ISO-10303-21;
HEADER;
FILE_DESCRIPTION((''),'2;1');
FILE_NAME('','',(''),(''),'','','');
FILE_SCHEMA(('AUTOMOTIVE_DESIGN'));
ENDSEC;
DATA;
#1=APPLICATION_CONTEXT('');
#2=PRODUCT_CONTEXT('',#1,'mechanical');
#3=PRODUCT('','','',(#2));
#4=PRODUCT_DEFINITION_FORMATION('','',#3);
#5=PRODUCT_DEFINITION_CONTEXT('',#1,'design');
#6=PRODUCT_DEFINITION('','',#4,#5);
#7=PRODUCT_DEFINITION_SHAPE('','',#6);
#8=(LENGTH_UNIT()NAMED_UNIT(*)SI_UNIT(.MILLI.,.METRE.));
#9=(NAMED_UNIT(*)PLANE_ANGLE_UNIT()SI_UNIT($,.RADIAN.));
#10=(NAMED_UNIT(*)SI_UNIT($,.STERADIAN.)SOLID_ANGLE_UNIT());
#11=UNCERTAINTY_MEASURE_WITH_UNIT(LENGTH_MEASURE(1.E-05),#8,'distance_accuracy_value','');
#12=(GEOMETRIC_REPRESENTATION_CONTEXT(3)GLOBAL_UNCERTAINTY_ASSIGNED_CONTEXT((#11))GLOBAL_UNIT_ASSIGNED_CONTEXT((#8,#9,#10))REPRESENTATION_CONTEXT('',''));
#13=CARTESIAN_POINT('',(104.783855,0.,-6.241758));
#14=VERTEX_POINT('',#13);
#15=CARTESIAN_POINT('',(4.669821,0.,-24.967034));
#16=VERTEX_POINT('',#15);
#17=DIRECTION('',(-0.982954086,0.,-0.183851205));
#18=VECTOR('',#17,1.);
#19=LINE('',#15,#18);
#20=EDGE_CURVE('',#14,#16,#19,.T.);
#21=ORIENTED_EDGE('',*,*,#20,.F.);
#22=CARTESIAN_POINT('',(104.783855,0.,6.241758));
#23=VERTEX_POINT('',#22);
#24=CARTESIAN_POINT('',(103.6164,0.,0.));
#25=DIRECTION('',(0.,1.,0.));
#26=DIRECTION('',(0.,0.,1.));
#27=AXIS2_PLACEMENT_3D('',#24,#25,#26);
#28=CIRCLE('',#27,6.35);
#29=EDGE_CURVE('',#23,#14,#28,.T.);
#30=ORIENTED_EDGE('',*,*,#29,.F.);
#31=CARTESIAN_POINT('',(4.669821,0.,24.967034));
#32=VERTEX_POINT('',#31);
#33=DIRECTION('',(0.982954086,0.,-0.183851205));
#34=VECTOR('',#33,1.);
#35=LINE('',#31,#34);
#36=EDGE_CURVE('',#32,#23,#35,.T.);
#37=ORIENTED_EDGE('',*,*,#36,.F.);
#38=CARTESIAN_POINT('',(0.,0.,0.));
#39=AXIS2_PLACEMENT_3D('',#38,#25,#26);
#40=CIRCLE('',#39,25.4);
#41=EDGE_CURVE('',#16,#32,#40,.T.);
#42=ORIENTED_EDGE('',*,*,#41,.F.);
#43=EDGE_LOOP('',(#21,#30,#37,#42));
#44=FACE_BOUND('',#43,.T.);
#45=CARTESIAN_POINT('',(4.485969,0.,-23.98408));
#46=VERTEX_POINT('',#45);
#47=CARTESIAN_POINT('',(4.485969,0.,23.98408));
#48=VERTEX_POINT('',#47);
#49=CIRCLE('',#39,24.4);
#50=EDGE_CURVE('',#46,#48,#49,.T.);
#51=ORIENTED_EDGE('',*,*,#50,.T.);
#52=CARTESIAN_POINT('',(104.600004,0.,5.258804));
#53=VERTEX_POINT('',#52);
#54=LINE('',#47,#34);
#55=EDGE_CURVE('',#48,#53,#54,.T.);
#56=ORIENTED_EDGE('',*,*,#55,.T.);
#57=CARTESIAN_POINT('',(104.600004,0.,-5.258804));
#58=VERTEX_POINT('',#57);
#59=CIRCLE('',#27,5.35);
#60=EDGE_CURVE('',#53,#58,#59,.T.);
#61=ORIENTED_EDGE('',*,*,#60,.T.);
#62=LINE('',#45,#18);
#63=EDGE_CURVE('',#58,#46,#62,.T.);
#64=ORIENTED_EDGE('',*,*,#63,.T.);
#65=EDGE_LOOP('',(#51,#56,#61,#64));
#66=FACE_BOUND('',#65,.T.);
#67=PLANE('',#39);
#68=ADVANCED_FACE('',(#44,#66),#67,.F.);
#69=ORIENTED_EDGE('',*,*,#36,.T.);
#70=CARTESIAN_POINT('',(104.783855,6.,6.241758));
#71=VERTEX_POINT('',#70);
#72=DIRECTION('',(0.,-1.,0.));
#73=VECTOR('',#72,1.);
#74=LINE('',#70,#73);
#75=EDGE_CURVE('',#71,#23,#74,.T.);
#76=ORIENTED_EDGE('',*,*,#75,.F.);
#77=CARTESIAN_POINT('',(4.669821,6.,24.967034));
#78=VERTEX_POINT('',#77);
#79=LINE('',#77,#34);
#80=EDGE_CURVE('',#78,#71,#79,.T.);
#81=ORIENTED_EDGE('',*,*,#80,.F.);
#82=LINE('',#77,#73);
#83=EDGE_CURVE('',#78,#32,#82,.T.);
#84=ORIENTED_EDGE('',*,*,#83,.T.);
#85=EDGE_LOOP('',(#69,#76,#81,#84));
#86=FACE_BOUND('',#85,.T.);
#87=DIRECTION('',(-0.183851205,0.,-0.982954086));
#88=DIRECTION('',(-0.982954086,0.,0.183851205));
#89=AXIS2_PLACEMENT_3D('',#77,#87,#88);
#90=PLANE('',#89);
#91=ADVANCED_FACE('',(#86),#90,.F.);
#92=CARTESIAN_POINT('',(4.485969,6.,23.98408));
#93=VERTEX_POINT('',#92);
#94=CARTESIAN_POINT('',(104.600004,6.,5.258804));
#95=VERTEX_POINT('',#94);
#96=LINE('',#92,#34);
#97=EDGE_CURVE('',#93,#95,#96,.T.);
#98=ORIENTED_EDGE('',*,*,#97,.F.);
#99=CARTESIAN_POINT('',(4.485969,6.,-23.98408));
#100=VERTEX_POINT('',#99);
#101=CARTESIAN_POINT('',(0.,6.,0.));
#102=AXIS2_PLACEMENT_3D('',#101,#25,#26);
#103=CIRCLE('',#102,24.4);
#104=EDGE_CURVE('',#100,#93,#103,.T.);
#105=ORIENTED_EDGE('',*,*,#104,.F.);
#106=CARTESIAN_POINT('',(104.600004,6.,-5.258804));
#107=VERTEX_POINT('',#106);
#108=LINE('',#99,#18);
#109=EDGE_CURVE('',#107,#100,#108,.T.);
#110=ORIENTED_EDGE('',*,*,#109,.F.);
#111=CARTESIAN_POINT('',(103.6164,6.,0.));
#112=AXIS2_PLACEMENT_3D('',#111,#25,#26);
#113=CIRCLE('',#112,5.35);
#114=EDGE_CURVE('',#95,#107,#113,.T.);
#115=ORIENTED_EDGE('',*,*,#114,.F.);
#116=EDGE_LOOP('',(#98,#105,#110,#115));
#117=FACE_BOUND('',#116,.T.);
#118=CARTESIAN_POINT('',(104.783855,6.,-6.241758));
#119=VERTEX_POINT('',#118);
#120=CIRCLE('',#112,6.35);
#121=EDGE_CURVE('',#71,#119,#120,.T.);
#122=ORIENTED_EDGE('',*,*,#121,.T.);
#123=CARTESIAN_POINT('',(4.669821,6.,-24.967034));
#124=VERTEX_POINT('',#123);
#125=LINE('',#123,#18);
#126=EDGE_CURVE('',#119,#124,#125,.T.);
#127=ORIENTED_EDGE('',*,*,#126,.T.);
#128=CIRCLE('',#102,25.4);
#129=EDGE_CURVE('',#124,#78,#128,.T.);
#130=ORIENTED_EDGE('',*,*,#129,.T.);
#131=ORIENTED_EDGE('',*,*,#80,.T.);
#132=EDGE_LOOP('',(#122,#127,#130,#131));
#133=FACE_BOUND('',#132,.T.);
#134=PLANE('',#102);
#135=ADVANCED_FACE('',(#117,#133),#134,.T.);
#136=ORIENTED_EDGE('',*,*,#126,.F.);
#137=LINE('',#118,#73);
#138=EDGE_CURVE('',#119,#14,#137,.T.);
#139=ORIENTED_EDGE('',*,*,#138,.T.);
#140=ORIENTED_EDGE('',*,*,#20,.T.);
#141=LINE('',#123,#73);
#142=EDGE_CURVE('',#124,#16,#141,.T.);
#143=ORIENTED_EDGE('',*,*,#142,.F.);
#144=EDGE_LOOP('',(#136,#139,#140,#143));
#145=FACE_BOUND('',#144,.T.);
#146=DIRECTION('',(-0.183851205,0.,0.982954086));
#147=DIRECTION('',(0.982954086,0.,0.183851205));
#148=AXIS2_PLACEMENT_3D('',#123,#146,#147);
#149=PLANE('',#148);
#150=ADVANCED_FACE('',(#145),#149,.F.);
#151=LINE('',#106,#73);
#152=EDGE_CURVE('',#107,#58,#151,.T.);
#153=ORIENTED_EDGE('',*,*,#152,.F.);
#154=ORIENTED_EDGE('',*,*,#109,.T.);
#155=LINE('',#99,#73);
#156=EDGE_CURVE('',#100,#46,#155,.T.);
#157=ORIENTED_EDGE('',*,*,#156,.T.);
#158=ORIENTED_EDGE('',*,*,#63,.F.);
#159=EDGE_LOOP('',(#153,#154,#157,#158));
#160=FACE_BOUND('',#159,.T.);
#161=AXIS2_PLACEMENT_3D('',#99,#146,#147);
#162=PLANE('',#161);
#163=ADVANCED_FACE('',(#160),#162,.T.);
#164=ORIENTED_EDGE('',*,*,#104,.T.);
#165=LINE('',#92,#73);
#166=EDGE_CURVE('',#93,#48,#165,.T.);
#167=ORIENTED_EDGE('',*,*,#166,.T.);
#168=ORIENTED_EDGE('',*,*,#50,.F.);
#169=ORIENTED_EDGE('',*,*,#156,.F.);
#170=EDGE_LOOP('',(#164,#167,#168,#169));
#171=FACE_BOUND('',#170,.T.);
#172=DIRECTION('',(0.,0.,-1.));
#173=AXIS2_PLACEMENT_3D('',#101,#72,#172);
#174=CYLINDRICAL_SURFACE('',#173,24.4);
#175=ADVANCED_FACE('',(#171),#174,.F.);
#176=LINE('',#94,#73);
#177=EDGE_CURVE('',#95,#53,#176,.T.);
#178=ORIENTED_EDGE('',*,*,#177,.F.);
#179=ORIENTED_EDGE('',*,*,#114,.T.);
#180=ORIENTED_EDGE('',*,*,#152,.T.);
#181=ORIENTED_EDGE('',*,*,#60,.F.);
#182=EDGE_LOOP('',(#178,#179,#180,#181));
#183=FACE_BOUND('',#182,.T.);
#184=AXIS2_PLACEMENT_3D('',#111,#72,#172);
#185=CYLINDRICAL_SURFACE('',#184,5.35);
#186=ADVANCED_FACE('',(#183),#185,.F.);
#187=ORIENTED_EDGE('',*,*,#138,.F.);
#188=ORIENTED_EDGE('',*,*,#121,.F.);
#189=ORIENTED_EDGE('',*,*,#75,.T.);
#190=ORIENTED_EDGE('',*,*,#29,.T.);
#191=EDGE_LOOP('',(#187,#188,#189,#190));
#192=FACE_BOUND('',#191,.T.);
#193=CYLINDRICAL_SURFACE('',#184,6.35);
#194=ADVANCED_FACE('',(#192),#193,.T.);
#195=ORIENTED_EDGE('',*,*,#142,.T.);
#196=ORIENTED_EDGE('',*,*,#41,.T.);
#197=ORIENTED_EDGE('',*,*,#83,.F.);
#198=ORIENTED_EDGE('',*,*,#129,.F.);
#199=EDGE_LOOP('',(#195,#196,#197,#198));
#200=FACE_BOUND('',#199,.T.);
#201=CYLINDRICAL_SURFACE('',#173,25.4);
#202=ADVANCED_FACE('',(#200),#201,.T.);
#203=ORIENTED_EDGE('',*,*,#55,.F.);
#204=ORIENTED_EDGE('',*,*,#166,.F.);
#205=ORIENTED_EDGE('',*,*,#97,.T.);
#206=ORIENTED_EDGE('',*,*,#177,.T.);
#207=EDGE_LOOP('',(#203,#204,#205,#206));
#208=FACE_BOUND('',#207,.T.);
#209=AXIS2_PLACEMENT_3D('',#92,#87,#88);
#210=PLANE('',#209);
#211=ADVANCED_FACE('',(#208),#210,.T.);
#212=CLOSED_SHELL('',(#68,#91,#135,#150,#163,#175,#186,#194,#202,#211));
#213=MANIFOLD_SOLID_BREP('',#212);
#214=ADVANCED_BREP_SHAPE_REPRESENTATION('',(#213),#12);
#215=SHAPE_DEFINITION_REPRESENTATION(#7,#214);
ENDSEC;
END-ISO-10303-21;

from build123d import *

# Parameters (mm, degrees)
SALIENTE_EXTRUIR1_DEPTH = 6


with BuildPart() as part:
    # Croquis1 → Saliente-Extruir1 (new body)
    with BuildSketch(Plane(origin=(0, 0, 0), x_dir=(1, 0, 0), z_dir=(0, 1, 0))):
        with BuildLine():
            Line((4.669820608, 24.967033774), (104.783855152, 6.241758444))
            ThreePointArc((104.783855152, 6.241758444), (109.9664, 0), (104.783855152, -6.241758444))
            Line((104.783855152, -6.241758444), (4.669820608, -24.967033774))
            ThreePointArc((4.669820608, -24.967033774), (-25.4, 0), (4.669820608, 24.967033774))
        make_face()
        with BuildLine():
            Line((4.485969403, 23.984079689), (104.600003947, 5.258804358))
            ThreePointArc((104.600003947, 5.258804358), (108.9664, 0), (104.600003947, -5.258804358))
            Line((104.600003947, -5.258804358), (4.485969403, -23.984079689))
            ThreePointArc((4.485969403, -23.984079689), (-24.4, 0), (4.485969403, 23.984079689))
        make_face(mode=Mode.SUBTRACT)
    extrude(amount=SALIENTE_EXTRUIR1_DEPTH)


solid = part.part
